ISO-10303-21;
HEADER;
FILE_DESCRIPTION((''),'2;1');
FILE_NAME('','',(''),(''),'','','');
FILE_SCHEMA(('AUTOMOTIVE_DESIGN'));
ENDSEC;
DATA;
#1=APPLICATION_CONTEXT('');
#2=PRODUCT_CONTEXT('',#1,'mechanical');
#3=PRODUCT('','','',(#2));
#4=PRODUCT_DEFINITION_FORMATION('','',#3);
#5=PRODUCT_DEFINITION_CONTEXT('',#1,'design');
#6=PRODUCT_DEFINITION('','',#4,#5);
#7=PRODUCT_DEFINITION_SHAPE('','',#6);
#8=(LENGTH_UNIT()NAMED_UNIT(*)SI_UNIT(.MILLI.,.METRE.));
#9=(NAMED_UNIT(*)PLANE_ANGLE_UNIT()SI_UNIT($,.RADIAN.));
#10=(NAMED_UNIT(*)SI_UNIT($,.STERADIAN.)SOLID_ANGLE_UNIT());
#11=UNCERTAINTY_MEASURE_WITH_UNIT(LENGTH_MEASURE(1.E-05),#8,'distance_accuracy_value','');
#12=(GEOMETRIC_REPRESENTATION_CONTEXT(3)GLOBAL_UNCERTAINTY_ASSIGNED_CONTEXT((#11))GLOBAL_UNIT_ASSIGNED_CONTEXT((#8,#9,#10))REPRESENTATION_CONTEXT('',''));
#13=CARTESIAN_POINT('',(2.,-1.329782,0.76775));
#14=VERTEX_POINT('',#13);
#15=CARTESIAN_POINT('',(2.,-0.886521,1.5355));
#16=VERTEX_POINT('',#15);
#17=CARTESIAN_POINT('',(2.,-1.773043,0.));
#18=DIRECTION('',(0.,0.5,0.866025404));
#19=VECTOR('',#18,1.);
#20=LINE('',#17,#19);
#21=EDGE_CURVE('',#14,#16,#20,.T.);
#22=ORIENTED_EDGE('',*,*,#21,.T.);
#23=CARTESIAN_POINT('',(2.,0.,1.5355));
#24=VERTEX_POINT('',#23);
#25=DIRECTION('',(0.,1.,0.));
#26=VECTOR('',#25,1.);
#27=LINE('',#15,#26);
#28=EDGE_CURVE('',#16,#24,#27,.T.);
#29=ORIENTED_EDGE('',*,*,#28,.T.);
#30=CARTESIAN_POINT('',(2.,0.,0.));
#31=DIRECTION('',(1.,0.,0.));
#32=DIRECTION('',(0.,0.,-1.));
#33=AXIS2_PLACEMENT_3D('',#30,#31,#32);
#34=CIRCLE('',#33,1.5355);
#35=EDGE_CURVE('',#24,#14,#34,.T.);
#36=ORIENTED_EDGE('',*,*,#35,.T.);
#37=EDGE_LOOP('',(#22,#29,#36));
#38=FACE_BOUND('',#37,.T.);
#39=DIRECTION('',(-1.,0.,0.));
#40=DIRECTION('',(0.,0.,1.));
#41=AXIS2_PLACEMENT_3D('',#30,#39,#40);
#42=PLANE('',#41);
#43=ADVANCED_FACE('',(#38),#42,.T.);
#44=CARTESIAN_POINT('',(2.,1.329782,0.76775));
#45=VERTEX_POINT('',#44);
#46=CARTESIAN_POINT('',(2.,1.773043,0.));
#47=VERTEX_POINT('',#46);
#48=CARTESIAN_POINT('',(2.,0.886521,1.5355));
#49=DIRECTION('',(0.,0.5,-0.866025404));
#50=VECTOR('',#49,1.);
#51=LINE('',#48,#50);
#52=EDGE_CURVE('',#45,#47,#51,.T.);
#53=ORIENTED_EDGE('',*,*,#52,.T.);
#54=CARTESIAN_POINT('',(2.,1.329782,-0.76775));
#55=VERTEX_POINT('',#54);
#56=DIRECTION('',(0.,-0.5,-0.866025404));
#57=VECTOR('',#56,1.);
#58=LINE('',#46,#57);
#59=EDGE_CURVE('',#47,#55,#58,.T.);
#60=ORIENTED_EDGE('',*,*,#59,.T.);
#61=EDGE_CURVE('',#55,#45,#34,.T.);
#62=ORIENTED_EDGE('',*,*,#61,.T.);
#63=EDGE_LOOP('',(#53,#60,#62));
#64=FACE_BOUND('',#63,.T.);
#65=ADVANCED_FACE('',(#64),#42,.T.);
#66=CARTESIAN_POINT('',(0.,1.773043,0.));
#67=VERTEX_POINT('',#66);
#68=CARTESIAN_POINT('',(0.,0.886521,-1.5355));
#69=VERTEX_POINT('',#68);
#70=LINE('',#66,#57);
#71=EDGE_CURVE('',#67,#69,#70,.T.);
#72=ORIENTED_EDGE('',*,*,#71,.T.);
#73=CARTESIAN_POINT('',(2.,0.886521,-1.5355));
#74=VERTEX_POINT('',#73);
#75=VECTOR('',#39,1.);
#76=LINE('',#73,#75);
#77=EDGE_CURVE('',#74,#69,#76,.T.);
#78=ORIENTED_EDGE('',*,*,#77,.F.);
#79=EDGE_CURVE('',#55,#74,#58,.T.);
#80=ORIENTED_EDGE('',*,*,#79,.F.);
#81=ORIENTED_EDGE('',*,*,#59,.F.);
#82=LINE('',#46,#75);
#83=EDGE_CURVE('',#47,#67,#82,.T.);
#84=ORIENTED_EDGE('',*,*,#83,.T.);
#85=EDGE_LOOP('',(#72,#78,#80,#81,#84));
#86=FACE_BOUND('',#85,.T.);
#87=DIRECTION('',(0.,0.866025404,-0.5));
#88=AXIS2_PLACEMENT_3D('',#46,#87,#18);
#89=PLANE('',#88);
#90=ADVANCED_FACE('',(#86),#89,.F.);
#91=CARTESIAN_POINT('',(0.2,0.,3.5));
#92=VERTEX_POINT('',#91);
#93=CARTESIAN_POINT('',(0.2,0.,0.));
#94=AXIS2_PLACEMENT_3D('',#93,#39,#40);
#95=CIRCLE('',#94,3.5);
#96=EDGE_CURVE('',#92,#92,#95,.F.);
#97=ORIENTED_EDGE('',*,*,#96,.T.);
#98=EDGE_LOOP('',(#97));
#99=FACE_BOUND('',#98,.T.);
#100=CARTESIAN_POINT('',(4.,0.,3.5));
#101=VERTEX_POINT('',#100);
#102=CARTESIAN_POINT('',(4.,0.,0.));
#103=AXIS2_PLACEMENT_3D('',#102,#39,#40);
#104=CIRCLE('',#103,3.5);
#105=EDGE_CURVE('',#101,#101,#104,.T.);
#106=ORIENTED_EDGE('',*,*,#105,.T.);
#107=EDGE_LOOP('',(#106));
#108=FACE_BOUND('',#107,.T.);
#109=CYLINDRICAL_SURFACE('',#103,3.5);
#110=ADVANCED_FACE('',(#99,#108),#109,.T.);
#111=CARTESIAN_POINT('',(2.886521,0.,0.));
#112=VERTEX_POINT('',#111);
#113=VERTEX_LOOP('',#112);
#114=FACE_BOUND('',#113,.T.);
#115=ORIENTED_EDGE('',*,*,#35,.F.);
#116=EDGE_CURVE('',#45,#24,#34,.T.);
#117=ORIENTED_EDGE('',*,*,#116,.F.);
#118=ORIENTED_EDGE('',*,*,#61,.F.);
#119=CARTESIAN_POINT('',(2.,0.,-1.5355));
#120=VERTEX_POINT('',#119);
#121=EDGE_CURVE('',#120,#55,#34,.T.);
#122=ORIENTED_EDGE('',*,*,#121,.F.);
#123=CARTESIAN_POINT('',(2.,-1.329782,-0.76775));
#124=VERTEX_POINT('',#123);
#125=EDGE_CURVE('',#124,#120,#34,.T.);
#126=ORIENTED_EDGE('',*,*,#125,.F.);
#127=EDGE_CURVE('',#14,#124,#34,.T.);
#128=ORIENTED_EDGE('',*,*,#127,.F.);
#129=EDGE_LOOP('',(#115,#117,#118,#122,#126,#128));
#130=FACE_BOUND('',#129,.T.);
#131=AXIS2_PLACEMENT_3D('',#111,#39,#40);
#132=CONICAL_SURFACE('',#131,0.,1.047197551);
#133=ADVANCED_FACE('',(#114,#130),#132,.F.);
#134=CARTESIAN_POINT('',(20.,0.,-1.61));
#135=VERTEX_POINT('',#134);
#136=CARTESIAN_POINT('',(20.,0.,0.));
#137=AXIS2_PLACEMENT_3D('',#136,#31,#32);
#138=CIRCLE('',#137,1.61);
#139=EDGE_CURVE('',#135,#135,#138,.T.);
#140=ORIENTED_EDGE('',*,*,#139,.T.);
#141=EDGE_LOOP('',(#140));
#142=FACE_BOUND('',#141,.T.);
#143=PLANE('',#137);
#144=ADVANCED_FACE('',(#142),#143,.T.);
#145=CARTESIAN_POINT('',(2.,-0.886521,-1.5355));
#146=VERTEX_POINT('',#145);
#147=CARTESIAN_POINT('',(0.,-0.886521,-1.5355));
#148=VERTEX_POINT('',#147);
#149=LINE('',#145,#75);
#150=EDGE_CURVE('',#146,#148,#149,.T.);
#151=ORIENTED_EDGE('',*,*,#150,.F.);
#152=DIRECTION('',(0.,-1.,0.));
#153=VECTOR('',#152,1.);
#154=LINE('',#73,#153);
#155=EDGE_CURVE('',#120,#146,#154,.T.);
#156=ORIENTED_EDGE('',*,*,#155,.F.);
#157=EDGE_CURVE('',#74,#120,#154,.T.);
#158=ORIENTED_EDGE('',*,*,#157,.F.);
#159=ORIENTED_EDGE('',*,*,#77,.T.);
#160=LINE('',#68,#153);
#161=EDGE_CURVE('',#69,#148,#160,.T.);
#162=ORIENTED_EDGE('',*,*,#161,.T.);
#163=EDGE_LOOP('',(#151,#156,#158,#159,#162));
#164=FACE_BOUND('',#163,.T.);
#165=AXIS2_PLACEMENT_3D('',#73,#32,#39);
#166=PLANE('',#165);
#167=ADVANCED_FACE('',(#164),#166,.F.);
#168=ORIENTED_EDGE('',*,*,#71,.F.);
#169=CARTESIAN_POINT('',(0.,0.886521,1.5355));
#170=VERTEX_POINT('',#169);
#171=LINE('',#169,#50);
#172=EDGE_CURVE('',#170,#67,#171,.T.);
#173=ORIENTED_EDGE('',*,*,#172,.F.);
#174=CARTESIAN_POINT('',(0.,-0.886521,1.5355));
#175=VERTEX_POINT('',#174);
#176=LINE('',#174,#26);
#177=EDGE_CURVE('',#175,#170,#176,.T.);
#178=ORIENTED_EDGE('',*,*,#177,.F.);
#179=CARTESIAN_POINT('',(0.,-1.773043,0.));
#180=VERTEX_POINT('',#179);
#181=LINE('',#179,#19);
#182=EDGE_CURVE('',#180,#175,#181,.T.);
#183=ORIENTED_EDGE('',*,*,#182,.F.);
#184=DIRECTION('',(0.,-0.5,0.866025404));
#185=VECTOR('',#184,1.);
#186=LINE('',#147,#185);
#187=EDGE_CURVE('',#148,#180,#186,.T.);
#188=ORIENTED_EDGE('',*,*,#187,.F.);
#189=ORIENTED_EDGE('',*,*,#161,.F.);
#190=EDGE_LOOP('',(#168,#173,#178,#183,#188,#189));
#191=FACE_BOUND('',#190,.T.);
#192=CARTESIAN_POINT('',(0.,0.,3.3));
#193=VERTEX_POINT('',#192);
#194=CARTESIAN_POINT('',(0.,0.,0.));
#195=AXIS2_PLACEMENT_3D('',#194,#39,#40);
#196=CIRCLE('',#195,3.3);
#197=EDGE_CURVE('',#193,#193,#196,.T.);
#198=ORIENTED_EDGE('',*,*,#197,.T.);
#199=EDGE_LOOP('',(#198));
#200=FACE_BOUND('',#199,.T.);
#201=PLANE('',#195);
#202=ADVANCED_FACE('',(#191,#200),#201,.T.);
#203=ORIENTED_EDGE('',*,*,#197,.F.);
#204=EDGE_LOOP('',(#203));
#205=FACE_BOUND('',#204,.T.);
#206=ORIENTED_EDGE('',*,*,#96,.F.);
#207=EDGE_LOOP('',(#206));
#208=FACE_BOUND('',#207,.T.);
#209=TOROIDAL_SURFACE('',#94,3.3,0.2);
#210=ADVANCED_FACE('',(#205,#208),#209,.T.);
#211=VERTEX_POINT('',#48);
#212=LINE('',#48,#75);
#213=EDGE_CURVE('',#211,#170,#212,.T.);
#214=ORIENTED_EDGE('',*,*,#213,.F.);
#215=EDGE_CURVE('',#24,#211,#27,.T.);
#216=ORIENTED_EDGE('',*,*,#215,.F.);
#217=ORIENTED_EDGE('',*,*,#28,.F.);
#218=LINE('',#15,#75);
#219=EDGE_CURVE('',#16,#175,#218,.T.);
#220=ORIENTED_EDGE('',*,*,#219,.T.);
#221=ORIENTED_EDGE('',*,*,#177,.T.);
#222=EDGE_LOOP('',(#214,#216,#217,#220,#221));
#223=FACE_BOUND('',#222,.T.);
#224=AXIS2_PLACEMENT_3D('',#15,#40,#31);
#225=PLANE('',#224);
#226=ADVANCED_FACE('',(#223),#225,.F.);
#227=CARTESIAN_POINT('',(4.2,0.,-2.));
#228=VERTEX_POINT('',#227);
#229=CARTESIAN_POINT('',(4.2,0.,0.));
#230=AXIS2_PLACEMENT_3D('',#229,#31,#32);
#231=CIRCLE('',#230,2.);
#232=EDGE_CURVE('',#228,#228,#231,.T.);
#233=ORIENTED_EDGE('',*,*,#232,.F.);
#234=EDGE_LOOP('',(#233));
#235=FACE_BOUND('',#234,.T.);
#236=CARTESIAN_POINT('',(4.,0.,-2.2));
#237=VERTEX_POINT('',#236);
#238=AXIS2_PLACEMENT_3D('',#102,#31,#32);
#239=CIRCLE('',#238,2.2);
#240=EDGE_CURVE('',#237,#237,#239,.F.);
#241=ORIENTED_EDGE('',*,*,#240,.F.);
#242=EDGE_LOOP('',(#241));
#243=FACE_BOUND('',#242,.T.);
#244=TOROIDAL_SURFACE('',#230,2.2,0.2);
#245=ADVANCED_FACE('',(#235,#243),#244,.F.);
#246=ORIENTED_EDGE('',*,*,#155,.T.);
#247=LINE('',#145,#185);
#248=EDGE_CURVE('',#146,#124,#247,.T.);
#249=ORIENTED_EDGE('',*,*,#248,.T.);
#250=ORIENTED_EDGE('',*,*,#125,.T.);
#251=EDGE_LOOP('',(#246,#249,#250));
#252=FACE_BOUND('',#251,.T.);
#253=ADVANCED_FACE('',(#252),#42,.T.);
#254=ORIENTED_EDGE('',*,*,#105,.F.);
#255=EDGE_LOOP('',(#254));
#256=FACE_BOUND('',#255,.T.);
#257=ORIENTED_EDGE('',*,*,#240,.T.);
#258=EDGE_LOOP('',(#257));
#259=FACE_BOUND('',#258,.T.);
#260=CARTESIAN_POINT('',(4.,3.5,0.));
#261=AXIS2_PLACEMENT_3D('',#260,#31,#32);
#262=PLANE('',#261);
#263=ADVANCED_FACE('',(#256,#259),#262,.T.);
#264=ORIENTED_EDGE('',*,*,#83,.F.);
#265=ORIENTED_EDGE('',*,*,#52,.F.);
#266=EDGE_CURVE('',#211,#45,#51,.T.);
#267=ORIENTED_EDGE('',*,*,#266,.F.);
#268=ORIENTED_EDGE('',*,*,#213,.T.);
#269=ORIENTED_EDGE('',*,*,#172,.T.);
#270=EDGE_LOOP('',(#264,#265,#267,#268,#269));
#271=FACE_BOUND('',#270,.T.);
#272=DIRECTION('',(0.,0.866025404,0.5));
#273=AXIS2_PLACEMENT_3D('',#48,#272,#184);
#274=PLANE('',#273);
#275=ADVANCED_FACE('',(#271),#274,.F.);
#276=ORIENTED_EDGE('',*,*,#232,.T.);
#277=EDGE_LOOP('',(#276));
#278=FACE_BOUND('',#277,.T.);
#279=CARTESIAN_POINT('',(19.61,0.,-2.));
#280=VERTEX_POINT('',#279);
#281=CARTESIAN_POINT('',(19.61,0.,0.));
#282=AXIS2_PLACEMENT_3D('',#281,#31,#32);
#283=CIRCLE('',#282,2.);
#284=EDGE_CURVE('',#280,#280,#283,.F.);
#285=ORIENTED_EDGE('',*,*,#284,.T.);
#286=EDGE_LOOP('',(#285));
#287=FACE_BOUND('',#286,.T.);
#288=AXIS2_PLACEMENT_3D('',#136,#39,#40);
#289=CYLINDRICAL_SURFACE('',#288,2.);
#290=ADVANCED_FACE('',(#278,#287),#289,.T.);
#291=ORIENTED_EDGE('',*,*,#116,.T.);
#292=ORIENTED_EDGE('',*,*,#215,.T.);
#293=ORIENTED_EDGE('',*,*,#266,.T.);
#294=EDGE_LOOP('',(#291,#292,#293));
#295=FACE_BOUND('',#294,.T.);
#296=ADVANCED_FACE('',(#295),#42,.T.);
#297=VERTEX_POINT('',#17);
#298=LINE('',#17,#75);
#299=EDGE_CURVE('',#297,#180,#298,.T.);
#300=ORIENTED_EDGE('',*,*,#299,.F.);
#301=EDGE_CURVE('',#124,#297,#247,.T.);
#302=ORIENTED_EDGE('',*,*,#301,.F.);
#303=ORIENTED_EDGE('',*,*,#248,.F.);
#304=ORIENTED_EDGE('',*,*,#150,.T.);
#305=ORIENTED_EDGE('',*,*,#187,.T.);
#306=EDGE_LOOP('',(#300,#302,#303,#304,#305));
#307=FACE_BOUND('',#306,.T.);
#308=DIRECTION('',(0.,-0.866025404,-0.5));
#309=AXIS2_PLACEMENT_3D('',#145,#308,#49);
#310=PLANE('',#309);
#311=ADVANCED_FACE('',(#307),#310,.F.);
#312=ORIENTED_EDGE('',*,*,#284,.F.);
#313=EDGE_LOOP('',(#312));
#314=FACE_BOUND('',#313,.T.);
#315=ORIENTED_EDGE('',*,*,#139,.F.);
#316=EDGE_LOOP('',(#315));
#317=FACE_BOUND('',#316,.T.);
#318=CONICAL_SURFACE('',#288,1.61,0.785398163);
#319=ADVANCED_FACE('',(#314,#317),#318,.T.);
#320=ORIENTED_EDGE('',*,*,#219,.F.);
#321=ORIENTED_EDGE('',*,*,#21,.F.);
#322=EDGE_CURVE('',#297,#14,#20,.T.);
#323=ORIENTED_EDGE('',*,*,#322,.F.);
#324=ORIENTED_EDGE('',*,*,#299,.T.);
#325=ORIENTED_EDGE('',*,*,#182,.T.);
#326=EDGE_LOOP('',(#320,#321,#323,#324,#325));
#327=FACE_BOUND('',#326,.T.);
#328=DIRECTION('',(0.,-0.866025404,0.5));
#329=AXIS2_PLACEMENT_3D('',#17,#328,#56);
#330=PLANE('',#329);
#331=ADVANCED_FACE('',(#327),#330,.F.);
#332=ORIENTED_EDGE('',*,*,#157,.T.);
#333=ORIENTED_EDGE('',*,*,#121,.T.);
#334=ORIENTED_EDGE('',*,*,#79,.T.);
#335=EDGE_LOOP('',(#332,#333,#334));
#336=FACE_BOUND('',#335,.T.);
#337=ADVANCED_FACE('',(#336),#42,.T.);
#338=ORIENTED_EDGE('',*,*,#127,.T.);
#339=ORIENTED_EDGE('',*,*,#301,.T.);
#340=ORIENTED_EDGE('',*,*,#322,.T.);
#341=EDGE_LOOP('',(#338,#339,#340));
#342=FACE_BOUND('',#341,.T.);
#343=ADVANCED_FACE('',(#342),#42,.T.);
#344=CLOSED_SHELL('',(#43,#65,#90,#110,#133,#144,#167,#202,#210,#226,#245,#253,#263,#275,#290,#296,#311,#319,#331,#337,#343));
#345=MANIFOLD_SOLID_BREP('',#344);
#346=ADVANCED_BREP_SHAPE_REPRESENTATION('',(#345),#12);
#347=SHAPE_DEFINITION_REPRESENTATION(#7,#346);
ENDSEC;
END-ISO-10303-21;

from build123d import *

# Parameters (mm, degrees)
ESBO_O1_W                = 4
ESBO_O1_H                = 3.5
ESBO_O2_R                = 2
RESSALTO_EXTRUS_O1_DEPTH = 16
CORTE_EXTRUS_O1_DEPTH    = 2
CHANFRO1_SIZE            = 0.39
FILETE1_R                = 0.2


with BuildPart() as part:
    # Esboço1 → Revolução1 (revolve)
    with BuildSketch(Plane(origin=(0, 0, 0), x_dir=(-1, 0, 0), z_dir=(0, 0, -1))):
        with Locations((-2, 1.75)):
            Rectangle(ESBO_O1_W, ESBO_O1_H)
    revolve(axis=Axis((4, 0, 0), (-1, 0, 0)))

    # Esboço2 → Ressalto-extrusão1 (add)
    with BuildSketch(Plane(origin=(4, 0, 0), x_dir=(0, 0, -1), z_dir=(1, 0, 0))):
        Circle(ESBO_O2_R)
    extrude(amount=RESSALTO_EXTRUS_O1_DEPTH)

    # Esboço3 → Corte-extrusão1 (cut)
    with BuildSketch(Plane.ZY):
        Polygon((0, -1.773042677), (1.5355, -0.886521338), (1.5355, 0.886521338), (0, 1.773042677), (-1.5355, 0.886521338), (-1.5355, -0.886521338), align=None)
    extrude(amount=-CORTE_EXTRUS_O1_DEPTH, mode=Mode.SUBTRACT)

    # Esboço4 → Corte-Revolução1 (revolve, cut)
    with BuildSketch(Plane.XY):
        Polygon((2, 1.5355), (2, 0), (2.886521338, 0), align=None)
    revolve(axis=Axis((2, 0, 0), (1, 0, 0)), mode=Mode.SUBTRACT)

    # Chanfro1
    chanfro1_edges = [part.edges().sort_by_distance(p)[0] for p in [
        (20, 0, 2),
    ]]
    chamfer(chanfro1_edges, length=CHANFRO1_SIZE)

    # Filete1
    filete1_edges = [part.edges().sort_by_distance(p)[0] for p in [
        (0, -3.5, 0),
        (4, 0, 2),
    ]]
    fillet(filete1_edges, radius=FILETE1_R)


solid = part.part
